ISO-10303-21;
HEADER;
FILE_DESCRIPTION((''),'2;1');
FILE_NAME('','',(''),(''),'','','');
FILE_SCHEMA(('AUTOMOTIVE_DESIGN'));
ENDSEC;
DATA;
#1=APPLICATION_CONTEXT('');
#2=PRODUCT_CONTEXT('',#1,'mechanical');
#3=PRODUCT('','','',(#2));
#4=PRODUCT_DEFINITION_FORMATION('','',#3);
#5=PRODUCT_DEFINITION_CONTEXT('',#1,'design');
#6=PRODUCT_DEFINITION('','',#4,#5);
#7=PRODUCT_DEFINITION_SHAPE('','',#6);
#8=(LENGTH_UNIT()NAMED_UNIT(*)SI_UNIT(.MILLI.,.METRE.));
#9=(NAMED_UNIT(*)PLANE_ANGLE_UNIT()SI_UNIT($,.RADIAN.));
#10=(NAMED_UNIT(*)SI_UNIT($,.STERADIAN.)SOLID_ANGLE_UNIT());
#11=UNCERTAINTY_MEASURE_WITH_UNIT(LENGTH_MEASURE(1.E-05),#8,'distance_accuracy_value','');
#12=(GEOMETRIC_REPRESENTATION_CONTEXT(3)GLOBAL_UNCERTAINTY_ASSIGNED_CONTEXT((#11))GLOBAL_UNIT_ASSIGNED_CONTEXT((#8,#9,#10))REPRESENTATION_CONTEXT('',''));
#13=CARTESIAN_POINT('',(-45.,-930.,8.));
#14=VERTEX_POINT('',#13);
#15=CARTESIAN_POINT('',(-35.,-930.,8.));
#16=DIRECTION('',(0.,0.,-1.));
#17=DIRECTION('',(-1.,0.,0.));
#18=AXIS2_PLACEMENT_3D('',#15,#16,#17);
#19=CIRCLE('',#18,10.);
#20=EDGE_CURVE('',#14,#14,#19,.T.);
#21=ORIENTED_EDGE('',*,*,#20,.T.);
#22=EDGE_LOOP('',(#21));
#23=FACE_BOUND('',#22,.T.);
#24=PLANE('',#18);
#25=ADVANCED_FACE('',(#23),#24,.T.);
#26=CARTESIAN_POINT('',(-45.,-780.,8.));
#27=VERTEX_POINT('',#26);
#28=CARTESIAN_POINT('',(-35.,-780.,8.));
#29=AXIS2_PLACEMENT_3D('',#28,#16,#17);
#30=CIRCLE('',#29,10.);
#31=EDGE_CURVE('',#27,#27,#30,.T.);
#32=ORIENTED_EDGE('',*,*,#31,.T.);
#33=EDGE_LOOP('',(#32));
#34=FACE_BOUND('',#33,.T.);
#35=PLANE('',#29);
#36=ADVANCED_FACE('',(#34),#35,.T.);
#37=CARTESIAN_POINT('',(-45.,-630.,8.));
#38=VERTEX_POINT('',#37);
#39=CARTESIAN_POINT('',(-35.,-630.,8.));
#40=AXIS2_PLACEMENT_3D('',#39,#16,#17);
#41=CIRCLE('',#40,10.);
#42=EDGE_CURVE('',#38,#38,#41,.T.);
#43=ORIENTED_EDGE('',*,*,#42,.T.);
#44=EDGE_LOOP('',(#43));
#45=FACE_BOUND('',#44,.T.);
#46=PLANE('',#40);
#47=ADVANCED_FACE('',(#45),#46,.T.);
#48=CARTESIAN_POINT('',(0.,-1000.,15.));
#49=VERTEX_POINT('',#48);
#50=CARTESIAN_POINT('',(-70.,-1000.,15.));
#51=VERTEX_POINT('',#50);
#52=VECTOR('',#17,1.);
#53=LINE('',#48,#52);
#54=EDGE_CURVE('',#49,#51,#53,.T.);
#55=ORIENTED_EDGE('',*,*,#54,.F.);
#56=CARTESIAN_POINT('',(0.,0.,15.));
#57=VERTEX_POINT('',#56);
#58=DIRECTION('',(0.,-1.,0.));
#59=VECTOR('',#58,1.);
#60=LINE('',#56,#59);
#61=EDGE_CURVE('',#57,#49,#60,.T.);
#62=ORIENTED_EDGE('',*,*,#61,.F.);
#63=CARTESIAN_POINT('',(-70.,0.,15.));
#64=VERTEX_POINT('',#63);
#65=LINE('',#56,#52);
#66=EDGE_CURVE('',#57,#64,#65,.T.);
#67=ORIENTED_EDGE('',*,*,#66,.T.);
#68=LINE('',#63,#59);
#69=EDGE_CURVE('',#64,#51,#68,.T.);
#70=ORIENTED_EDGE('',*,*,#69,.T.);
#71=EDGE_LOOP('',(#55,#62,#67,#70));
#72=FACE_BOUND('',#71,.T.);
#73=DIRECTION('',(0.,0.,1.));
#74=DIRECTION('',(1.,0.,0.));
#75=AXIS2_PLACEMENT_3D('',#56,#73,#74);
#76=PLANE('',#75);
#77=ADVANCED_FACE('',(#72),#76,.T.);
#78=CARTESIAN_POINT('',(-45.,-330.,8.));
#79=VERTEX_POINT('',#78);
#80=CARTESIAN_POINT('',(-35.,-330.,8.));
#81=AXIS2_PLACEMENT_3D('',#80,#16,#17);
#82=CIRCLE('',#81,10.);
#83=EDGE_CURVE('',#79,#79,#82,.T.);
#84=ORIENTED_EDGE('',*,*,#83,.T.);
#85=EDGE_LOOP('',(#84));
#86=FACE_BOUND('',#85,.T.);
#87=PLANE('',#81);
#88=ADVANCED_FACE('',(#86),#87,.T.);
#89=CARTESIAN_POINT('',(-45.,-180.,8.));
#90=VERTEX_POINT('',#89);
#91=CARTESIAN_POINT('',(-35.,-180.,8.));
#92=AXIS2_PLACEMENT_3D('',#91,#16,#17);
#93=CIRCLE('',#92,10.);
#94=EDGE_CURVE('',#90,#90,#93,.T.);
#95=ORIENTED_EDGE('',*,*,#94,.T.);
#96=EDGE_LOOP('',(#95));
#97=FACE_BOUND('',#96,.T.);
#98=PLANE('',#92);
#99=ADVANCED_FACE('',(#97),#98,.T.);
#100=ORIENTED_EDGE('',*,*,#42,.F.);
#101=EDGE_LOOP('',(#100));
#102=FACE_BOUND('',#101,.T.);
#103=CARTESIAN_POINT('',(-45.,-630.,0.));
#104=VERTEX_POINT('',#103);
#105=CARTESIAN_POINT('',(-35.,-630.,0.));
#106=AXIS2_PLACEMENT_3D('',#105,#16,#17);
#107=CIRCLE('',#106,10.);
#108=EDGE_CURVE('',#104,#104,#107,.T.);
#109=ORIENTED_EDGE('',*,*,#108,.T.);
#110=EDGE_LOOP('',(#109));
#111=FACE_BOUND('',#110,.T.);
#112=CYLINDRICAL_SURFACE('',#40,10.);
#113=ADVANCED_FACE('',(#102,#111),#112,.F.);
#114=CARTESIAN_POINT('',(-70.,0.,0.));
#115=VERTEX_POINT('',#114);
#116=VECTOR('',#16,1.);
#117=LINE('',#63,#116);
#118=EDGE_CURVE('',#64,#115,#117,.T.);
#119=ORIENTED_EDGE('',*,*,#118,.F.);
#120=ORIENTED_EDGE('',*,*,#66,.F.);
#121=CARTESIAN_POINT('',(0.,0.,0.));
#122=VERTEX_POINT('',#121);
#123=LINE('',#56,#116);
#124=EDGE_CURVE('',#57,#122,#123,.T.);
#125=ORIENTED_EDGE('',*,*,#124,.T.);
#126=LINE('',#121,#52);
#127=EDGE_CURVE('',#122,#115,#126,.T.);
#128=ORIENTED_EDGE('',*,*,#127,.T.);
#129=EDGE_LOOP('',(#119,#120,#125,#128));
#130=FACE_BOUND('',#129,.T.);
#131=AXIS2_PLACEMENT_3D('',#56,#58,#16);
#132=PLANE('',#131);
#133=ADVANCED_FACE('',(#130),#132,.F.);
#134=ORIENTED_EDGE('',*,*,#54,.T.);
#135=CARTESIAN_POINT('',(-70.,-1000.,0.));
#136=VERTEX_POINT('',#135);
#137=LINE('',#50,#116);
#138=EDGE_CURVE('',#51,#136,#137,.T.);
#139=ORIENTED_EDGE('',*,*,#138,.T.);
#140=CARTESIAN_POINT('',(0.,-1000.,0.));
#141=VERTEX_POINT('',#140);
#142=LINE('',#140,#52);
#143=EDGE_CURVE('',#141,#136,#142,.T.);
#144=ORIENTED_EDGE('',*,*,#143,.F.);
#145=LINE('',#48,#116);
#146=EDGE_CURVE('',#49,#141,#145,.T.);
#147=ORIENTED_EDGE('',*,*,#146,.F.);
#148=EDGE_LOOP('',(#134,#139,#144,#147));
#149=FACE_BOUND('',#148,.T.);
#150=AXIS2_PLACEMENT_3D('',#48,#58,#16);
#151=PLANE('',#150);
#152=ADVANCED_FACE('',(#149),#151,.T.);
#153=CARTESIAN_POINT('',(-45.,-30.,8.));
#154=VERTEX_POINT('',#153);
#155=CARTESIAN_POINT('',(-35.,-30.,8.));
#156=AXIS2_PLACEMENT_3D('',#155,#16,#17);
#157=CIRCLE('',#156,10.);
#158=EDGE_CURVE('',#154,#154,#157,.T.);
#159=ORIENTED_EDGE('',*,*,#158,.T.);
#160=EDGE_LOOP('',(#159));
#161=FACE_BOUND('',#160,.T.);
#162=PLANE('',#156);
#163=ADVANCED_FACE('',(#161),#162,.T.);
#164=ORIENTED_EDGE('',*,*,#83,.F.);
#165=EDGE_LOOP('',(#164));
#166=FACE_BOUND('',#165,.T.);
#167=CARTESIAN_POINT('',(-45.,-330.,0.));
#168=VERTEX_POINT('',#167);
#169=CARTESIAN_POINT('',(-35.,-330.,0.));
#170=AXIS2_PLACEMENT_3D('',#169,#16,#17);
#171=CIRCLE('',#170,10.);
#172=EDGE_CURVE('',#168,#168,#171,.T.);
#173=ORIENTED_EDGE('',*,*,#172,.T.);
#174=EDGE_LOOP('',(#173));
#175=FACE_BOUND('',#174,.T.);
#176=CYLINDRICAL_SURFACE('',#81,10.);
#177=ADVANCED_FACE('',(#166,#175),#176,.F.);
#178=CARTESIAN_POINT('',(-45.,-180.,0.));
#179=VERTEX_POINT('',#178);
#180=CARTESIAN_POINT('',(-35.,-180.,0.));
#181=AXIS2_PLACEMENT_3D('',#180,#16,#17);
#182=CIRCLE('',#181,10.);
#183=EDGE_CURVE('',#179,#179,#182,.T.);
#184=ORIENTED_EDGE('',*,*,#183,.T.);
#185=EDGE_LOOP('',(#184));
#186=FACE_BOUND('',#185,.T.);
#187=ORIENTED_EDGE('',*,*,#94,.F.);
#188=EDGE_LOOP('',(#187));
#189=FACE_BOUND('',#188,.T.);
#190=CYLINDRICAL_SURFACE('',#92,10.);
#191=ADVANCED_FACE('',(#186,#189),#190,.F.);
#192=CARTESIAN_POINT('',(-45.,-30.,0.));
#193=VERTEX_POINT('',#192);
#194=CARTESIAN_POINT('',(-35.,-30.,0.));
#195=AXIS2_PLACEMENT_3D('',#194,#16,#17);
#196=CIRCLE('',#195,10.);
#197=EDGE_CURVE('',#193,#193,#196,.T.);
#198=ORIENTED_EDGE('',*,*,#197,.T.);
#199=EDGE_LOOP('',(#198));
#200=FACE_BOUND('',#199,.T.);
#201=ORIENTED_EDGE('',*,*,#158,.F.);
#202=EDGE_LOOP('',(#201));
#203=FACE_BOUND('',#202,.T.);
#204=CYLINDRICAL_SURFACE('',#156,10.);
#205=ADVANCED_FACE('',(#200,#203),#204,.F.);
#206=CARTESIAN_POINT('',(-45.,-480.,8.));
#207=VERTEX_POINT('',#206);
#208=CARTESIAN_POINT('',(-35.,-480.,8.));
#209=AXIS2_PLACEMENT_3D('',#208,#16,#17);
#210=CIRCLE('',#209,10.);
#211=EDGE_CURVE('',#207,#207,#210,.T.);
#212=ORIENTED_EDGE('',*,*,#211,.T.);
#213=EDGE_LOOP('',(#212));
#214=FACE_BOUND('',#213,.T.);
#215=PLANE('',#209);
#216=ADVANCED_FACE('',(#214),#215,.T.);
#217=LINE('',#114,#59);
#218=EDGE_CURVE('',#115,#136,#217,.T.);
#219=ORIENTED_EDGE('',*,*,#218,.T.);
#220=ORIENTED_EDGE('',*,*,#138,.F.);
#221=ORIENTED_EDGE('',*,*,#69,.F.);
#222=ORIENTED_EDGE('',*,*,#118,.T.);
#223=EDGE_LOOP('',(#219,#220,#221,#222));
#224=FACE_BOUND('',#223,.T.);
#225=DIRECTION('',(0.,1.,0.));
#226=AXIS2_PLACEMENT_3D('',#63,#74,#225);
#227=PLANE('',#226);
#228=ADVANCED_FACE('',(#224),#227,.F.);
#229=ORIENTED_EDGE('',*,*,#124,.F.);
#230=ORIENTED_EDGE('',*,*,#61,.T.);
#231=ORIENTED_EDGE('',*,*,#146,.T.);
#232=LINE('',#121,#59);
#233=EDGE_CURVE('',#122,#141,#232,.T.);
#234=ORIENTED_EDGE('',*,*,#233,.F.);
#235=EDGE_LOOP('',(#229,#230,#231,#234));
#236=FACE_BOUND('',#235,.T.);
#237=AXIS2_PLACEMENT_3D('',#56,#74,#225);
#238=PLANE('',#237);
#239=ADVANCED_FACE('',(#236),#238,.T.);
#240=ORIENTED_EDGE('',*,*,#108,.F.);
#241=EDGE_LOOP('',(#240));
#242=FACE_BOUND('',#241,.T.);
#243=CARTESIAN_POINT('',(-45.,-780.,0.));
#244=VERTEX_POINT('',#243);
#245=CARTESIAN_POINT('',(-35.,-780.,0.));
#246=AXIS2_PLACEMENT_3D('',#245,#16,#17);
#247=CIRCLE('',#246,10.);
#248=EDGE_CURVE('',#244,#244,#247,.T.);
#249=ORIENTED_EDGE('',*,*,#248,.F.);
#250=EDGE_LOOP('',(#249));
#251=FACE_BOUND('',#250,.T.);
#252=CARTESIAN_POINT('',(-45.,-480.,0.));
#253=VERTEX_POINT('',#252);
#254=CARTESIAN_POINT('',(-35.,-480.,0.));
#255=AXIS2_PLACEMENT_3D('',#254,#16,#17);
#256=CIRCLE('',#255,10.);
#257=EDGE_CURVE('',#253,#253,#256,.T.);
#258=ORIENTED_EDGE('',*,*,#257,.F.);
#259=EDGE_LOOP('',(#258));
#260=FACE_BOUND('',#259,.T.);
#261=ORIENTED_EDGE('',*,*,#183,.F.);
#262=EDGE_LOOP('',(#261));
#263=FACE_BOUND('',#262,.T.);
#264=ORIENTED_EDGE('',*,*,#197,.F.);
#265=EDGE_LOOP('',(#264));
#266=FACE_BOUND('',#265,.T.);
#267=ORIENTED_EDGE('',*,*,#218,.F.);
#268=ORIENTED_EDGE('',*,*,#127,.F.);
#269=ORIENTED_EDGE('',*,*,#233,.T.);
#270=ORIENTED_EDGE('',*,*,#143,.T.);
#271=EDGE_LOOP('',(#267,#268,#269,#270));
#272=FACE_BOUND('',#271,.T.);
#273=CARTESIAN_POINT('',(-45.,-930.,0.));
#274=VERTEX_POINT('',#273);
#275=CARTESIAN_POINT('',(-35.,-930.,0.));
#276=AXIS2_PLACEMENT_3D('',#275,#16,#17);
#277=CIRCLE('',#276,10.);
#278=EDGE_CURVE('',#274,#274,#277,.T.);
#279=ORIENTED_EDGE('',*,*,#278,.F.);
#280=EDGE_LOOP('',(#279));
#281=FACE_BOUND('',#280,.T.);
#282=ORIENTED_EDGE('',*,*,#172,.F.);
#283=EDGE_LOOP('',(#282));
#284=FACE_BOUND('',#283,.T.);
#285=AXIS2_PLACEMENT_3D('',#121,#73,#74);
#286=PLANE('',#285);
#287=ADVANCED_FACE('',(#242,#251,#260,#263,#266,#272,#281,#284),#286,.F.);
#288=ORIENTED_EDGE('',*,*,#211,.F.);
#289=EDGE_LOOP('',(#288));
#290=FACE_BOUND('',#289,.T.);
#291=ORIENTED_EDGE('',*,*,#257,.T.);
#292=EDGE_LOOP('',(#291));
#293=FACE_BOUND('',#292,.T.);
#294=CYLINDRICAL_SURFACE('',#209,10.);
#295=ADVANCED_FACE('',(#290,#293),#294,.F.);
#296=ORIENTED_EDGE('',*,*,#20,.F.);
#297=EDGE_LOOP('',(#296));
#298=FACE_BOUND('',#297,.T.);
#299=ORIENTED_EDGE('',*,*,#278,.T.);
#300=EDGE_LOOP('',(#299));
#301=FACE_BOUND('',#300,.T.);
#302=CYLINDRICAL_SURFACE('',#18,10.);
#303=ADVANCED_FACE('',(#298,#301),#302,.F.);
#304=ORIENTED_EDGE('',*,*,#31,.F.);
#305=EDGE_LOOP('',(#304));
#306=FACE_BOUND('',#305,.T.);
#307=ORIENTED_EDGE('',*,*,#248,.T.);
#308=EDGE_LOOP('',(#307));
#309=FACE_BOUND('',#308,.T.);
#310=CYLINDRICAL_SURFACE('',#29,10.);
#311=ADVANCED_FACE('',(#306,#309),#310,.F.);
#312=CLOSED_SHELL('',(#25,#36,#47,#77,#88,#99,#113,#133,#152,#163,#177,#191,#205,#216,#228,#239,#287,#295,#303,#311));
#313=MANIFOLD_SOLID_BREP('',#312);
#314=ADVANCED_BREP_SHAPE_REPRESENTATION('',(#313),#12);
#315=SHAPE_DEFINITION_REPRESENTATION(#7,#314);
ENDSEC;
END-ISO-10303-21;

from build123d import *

# Parameters (mm, degrees)
SKETCH3_W           = 70
SKETCH3_H           = 1000
BOSS_EXTRUDE1_DEPTH = 15
SKETCH4_R           = 10
CUT_EXTRUDE1_DEPTH  = 8


with BuildPart() as part:
    # Sketch3 → Boss-Extrude1 (new body)
    with BuildSketch(Plane.XY):
        with Locations((-35, -500)):
            Rectangle(SKETCH3_W, SKETCH3_H)
    extrude(amount=BOSS_EXTRUDE1_DEPTH)

    # Sketch4 → Cut-Extrude1 (cut)
    with BuildSketch(Plane(origin=(0, 0, 0), x_dir=(-1, 0, 0), z_dir=(0, 0, -1))):
        with Locations((35, -30)):
            Circle(SKETCH4_R)
        with Locations((35, -180)):
            Circle(SKETCH4_R)
        with Locations((35, -330)):
            Circle(SKETCH4_R)
        with Locations((35, -480)):
            Circle(SKETCH4_R)
        with Locations((35, -630)):
            Circle(SKETCH4_R)
        with Locations((35, -780)):
            Circle(SKETCH4_R)
        with Locations((35, -930)):
            Circle(SKETCH4_R)
    extrude(amount=-CUT_EXTRUDE1_DEPTH, mode=Mode.SUBTRACT)


solid = part.part
